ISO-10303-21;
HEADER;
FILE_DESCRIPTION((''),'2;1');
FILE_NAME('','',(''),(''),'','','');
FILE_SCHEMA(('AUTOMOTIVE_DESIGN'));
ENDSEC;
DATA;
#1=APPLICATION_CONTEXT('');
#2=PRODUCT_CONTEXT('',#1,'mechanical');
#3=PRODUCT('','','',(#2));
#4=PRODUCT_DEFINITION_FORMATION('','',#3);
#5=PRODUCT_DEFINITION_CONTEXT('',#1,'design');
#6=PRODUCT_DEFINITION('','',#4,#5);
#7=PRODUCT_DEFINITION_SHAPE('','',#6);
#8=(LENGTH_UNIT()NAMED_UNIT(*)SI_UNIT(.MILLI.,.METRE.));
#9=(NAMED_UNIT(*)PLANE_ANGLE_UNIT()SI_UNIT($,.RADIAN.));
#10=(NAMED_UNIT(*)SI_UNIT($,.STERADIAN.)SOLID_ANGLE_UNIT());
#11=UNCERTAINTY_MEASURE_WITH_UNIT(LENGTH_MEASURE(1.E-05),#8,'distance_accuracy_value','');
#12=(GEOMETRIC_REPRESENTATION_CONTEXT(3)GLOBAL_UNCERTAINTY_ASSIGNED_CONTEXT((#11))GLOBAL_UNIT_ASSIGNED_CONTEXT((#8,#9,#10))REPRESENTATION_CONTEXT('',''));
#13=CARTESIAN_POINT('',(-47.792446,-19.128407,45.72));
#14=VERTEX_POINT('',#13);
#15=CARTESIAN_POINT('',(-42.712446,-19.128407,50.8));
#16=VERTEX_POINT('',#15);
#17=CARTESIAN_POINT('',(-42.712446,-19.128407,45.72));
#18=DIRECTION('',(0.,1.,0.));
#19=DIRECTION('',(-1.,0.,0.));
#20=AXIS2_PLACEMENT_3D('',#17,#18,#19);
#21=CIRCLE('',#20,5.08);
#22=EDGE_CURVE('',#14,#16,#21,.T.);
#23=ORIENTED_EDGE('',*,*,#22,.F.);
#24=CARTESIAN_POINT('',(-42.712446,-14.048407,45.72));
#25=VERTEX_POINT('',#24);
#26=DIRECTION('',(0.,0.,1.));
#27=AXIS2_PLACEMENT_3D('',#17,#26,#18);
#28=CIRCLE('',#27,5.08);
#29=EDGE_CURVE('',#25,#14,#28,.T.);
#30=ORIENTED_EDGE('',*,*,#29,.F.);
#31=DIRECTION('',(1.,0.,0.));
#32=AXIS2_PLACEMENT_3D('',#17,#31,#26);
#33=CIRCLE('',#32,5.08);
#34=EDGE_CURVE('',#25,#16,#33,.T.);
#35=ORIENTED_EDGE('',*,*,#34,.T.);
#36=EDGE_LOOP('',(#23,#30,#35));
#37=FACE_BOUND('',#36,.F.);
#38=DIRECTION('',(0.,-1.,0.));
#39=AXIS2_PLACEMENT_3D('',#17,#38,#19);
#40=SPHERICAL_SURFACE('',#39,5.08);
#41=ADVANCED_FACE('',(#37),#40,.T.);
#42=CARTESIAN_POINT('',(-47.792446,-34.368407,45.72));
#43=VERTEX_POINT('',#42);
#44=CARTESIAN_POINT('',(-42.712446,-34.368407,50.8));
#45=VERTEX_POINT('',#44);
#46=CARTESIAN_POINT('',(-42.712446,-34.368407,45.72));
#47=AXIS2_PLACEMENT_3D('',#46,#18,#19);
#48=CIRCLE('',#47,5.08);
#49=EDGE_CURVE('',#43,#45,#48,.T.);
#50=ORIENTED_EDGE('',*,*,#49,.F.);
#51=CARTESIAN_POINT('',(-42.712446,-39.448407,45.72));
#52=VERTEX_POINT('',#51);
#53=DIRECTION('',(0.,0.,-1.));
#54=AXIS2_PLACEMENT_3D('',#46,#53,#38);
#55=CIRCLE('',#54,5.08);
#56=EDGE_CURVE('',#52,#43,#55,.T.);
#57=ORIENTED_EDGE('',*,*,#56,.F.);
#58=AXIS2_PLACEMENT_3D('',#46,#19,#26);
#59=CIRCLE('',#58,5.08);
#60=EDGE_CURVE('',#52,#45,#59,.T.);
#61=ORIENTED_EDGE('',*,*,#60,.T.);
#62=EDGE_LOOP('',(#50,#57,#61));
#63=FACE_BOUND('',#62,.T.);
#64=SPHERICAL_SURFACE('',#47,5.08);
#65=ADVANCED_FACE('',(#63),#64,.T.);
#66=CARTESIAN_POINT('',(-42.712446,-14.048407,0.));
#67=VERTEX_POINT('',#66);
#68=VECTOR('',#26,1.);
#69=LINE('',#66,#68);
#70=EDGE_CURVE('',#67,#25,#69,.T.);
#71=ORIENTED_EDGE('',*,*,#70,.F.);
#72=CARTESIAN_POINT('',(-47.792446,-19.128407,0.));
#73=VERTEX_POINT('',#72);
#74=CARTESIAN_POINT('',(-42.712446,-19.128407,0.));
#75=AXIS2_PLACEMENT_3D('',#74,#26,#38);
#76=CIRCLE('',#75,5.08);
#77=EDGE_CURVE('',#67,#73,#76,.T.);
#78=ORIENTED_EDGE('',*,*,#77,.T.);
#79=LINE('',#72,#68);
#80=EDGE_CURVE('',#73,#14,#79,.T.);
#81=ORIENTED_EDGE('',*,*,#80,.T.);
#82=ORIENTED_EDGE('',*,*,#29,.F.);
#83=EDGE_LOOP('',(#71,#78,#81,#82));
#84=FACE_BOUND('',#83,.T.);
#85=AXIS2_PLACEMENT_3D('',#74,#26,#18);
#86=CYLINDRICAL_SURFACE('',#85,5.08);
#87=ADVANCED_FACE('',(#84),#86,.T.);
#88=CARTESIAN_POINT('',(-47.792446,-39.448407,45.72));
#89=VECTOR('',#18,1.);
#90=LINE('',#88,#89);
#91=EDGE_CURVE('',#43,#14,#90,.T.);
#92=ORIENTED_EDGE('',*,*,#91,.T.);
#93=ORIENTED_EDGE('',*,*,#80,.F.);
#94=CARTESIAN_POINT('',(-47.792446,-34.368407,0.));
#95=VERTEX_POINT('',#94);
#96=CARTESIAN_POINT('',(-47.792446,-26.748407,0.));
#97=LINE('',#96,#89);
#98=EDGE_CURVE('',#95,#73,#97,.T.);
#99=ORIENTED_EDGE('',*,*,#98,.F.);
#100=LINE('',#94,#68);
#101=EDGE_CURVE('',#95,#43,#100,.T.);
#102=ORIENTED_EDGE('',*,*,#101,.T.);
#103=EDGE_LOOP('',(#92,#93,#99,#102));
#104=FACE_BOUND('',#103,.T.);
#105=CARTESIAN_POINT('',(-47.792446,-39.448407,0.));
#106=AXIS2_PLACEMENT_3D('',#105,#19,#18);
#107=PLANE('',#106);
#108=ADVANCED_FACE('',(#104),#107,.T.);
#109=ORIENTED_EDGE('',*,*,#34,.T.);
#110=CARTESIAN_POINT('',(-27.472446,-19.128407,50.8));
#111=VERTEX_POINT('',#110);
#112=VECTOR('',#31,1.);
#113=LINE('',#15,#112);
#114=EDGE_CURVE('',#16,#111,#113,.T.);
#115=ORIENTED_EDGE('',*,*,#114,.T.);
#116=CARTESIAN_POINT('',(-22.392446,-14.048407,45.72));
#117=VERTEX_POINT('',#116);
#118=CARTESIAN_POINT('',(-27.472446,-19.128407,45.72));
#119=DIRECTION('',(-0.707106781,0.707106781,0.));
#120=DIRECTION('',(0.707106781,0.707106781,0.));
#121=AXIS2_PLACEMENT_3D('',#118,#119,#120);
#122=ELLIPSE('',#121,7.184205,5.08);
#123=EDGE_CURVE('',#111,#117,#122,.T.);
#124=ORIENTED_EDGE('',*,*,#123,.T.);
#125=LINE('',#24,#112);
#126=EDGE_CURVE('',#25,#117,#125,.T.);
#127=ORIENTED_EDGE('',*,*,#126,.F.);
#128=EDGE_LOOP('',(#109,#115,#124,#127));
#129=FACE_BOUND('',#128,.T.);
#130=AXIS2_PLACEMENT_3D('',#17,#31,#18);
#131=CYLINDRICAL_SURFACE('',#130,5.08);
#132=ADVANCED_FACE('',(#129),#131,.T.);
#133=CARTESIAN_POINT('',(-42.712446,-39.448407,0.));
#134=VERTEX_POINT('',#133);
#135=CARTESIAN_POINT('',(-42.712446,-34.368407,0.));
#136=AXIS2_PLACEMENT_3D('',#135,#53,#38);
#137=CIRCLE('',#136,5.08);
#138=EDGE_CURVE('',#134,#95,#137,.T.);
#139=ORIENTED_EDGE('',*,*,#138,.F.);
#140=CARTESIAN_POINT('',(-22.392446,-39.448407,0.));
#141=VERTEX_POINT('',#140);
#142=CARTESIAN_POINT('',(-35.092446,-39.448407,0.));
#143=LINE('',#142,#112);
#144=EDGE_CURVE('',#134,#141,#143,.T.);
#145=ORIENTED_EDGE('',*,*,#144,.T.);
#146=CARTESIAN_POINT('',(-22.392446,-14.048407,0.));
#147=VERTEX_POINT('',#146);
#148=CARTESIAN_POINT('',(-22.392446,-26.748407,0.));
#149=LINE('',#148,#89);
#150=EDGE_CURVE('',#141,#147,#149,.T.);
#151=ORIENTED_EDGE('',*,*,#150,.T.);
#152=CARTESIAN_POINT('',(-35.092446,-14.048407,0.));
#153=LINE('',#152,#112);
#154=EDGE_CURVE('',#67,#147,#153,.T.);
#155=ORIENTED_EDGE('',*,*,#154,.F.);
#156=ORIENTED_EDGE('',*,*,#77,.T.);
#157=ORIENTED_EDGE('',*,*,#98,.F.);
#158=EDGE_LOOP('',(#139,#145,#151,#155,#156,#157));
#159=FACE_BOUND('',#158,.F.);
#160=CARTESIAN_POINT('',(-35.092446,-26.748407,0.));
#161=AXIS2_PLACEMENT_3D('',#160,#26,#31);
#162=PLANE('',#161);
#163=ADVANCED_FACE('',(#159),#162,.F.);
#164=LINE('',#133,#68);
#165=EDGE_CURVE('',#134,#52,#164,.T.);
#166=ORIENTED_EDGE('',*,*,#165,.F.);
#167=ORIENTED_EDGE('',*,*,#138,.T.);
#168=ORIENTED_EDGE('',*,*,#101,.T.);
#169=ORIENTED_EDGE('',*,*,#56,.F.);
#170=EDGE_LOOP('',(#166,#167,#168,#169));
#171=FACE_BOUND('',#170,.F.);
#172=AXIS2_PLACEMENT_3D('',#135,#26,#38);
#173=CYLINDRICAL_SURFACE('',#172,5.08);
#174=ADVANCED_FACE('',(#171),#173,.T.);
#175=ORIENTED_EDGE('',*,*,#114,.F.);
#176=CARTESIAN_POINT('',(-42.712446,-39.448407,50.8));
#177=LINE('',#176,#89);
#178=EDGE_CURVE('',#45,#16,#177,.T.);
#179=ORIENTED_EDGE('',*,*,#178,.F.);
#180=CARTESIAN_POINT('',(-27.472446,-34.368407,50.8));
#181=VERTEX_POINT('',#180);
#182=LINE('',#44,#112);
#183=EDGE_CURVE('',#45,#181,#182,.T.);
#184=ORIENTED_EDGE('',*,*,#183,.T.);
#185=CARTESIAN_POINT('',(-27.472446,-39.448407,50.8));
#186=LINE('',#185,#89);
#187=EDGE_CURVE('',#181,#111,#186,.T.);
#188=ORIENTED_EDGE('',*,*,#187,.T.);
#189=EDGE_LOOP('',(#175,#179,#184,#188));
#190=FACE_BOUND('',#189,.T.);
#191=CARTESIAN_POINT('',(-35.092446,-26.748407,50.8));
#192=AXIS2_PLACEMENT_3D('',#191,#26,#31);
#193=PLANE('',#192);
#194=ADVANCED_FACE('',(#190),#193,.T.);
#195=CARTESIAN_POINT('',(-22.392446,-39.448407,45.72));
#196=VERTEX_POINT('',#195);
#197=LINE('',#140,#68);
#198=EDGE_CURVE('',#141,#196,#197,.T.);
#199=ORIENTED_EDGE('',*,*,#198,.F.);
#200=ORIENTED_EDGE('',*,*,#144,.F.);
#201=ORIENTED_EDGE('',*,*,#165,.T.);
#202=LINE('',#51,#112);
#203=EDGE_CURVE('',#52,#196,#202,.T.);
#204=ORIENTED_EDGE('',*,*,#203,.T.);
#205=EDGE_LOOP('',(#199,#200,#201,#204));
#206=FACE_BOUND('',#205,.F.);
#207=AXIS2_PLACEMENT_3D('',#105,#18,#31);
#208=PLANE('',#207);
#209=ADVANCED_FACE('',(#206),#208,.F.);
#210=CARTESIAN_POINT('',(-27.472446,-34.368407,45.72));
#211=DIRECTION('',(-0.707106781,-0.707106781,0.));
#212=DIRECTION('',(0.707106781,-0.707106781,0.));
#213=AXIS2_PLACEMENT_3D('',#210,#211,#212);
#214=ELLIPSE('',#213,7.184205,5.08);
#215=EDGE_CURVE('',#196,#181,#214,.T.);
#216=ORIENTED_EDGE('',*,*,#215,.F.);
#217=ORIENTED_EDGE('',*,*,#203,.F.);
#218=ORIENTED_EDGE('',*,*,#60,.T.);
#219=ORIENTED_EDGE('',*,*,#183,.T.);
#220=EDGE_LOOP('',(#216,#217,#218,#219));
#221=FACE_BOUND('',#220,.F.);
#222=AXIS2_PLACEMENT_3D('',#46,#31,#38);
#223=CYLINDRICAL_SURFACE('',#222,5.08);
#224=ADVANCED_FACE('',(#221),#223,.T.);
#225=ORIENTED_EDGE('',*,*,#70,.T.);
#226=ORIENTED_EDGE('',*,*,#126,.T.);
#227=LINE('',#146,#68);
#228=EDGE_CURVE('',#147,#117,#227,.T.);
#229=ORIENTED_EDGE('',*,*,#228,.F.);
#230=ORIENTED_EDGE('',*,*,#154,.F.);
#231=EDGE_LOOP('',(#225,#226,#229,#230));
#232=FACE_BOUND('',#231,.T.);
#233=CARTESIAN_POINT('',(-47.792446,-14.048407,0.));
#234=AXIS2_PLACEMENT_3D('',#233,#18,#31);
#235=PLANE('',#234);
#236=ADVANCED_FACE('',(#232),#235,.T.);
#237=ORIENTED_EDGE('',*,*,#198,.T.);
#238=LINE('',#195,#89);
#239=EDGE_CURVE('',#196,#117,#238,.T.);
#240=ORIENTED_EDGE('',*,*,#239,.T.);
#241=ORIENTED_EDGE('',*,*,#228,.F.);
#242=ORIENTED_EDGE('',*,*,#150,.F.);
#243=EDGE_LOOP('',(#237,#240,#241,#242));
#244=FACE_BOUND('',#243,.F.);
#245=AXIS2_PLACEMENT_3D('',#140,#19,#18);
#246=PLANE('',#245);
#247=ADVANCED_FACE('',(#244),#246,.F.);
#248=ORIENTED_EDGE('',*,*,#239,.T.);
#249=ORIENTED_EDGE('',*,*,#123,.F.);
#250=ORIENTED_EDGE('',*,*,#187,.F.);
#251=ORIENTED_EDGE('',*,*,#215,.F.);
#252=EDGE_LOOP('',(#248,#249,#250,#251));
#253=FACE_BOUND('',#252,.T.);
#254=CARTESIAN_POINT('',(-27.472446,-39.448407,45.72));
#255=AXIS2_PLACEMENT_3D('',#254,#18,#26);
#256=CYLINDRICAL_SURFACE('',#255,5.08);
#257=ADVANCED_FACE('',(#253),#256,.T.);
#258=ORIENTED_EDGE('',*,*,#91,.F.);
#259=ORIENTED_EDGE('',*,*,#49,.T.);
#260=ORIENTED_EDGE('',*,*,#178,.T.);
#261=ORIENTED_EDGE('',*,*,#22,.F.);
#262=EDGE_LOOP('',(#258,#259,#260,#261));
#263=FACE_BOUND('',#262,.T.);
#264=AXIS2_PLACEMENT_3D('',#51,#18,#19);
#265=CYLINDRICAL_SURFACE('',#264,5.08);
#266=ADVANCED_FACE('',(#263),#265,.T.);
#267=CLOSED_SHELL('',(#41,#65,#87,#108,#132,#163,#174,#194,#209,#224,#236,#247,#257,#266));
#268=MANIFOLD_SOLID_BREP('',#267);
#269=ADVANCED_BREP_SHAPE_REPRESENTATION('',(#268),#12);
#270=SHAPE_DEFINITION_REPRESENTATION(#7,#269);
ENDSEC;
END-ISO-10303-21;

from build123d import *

# Parameters (mm, degrees)
F0_W     = 25.4
F0_H     = 25.4
F1_DEPTH = 50.8
F2_R     = 5.08
F3_R     = 5.08


with BuildPart() as f1:
    # F0 (on Top) → F1 (new body)
    with BuildSketch(Plane.XY):
        with Locations((-35.092446, -26.748407)):
            Rectangle(F0_W, F0_H)
    extrude(amount=F1_DEPTH)

    # F2
    f2_edges = [f1.edges().sort_by_distance(p)[0] for p in [
        (-47.792446, -26.748407, 50.8),
    ]]
    fillet(f2_edges, radius=F2_R)

    # F3
    f3_edges = [f1.edges().sort_by_distance(p)[0] for p in [
        (-32.552446, -39.448407, 50.8),
        (-22.392446, -26.748407, 50.8),
        (-32.552446, -14.048407, 50.8),
    ]]
    fillet(f3_edges, radius=F3_R)


solid = f1.part
